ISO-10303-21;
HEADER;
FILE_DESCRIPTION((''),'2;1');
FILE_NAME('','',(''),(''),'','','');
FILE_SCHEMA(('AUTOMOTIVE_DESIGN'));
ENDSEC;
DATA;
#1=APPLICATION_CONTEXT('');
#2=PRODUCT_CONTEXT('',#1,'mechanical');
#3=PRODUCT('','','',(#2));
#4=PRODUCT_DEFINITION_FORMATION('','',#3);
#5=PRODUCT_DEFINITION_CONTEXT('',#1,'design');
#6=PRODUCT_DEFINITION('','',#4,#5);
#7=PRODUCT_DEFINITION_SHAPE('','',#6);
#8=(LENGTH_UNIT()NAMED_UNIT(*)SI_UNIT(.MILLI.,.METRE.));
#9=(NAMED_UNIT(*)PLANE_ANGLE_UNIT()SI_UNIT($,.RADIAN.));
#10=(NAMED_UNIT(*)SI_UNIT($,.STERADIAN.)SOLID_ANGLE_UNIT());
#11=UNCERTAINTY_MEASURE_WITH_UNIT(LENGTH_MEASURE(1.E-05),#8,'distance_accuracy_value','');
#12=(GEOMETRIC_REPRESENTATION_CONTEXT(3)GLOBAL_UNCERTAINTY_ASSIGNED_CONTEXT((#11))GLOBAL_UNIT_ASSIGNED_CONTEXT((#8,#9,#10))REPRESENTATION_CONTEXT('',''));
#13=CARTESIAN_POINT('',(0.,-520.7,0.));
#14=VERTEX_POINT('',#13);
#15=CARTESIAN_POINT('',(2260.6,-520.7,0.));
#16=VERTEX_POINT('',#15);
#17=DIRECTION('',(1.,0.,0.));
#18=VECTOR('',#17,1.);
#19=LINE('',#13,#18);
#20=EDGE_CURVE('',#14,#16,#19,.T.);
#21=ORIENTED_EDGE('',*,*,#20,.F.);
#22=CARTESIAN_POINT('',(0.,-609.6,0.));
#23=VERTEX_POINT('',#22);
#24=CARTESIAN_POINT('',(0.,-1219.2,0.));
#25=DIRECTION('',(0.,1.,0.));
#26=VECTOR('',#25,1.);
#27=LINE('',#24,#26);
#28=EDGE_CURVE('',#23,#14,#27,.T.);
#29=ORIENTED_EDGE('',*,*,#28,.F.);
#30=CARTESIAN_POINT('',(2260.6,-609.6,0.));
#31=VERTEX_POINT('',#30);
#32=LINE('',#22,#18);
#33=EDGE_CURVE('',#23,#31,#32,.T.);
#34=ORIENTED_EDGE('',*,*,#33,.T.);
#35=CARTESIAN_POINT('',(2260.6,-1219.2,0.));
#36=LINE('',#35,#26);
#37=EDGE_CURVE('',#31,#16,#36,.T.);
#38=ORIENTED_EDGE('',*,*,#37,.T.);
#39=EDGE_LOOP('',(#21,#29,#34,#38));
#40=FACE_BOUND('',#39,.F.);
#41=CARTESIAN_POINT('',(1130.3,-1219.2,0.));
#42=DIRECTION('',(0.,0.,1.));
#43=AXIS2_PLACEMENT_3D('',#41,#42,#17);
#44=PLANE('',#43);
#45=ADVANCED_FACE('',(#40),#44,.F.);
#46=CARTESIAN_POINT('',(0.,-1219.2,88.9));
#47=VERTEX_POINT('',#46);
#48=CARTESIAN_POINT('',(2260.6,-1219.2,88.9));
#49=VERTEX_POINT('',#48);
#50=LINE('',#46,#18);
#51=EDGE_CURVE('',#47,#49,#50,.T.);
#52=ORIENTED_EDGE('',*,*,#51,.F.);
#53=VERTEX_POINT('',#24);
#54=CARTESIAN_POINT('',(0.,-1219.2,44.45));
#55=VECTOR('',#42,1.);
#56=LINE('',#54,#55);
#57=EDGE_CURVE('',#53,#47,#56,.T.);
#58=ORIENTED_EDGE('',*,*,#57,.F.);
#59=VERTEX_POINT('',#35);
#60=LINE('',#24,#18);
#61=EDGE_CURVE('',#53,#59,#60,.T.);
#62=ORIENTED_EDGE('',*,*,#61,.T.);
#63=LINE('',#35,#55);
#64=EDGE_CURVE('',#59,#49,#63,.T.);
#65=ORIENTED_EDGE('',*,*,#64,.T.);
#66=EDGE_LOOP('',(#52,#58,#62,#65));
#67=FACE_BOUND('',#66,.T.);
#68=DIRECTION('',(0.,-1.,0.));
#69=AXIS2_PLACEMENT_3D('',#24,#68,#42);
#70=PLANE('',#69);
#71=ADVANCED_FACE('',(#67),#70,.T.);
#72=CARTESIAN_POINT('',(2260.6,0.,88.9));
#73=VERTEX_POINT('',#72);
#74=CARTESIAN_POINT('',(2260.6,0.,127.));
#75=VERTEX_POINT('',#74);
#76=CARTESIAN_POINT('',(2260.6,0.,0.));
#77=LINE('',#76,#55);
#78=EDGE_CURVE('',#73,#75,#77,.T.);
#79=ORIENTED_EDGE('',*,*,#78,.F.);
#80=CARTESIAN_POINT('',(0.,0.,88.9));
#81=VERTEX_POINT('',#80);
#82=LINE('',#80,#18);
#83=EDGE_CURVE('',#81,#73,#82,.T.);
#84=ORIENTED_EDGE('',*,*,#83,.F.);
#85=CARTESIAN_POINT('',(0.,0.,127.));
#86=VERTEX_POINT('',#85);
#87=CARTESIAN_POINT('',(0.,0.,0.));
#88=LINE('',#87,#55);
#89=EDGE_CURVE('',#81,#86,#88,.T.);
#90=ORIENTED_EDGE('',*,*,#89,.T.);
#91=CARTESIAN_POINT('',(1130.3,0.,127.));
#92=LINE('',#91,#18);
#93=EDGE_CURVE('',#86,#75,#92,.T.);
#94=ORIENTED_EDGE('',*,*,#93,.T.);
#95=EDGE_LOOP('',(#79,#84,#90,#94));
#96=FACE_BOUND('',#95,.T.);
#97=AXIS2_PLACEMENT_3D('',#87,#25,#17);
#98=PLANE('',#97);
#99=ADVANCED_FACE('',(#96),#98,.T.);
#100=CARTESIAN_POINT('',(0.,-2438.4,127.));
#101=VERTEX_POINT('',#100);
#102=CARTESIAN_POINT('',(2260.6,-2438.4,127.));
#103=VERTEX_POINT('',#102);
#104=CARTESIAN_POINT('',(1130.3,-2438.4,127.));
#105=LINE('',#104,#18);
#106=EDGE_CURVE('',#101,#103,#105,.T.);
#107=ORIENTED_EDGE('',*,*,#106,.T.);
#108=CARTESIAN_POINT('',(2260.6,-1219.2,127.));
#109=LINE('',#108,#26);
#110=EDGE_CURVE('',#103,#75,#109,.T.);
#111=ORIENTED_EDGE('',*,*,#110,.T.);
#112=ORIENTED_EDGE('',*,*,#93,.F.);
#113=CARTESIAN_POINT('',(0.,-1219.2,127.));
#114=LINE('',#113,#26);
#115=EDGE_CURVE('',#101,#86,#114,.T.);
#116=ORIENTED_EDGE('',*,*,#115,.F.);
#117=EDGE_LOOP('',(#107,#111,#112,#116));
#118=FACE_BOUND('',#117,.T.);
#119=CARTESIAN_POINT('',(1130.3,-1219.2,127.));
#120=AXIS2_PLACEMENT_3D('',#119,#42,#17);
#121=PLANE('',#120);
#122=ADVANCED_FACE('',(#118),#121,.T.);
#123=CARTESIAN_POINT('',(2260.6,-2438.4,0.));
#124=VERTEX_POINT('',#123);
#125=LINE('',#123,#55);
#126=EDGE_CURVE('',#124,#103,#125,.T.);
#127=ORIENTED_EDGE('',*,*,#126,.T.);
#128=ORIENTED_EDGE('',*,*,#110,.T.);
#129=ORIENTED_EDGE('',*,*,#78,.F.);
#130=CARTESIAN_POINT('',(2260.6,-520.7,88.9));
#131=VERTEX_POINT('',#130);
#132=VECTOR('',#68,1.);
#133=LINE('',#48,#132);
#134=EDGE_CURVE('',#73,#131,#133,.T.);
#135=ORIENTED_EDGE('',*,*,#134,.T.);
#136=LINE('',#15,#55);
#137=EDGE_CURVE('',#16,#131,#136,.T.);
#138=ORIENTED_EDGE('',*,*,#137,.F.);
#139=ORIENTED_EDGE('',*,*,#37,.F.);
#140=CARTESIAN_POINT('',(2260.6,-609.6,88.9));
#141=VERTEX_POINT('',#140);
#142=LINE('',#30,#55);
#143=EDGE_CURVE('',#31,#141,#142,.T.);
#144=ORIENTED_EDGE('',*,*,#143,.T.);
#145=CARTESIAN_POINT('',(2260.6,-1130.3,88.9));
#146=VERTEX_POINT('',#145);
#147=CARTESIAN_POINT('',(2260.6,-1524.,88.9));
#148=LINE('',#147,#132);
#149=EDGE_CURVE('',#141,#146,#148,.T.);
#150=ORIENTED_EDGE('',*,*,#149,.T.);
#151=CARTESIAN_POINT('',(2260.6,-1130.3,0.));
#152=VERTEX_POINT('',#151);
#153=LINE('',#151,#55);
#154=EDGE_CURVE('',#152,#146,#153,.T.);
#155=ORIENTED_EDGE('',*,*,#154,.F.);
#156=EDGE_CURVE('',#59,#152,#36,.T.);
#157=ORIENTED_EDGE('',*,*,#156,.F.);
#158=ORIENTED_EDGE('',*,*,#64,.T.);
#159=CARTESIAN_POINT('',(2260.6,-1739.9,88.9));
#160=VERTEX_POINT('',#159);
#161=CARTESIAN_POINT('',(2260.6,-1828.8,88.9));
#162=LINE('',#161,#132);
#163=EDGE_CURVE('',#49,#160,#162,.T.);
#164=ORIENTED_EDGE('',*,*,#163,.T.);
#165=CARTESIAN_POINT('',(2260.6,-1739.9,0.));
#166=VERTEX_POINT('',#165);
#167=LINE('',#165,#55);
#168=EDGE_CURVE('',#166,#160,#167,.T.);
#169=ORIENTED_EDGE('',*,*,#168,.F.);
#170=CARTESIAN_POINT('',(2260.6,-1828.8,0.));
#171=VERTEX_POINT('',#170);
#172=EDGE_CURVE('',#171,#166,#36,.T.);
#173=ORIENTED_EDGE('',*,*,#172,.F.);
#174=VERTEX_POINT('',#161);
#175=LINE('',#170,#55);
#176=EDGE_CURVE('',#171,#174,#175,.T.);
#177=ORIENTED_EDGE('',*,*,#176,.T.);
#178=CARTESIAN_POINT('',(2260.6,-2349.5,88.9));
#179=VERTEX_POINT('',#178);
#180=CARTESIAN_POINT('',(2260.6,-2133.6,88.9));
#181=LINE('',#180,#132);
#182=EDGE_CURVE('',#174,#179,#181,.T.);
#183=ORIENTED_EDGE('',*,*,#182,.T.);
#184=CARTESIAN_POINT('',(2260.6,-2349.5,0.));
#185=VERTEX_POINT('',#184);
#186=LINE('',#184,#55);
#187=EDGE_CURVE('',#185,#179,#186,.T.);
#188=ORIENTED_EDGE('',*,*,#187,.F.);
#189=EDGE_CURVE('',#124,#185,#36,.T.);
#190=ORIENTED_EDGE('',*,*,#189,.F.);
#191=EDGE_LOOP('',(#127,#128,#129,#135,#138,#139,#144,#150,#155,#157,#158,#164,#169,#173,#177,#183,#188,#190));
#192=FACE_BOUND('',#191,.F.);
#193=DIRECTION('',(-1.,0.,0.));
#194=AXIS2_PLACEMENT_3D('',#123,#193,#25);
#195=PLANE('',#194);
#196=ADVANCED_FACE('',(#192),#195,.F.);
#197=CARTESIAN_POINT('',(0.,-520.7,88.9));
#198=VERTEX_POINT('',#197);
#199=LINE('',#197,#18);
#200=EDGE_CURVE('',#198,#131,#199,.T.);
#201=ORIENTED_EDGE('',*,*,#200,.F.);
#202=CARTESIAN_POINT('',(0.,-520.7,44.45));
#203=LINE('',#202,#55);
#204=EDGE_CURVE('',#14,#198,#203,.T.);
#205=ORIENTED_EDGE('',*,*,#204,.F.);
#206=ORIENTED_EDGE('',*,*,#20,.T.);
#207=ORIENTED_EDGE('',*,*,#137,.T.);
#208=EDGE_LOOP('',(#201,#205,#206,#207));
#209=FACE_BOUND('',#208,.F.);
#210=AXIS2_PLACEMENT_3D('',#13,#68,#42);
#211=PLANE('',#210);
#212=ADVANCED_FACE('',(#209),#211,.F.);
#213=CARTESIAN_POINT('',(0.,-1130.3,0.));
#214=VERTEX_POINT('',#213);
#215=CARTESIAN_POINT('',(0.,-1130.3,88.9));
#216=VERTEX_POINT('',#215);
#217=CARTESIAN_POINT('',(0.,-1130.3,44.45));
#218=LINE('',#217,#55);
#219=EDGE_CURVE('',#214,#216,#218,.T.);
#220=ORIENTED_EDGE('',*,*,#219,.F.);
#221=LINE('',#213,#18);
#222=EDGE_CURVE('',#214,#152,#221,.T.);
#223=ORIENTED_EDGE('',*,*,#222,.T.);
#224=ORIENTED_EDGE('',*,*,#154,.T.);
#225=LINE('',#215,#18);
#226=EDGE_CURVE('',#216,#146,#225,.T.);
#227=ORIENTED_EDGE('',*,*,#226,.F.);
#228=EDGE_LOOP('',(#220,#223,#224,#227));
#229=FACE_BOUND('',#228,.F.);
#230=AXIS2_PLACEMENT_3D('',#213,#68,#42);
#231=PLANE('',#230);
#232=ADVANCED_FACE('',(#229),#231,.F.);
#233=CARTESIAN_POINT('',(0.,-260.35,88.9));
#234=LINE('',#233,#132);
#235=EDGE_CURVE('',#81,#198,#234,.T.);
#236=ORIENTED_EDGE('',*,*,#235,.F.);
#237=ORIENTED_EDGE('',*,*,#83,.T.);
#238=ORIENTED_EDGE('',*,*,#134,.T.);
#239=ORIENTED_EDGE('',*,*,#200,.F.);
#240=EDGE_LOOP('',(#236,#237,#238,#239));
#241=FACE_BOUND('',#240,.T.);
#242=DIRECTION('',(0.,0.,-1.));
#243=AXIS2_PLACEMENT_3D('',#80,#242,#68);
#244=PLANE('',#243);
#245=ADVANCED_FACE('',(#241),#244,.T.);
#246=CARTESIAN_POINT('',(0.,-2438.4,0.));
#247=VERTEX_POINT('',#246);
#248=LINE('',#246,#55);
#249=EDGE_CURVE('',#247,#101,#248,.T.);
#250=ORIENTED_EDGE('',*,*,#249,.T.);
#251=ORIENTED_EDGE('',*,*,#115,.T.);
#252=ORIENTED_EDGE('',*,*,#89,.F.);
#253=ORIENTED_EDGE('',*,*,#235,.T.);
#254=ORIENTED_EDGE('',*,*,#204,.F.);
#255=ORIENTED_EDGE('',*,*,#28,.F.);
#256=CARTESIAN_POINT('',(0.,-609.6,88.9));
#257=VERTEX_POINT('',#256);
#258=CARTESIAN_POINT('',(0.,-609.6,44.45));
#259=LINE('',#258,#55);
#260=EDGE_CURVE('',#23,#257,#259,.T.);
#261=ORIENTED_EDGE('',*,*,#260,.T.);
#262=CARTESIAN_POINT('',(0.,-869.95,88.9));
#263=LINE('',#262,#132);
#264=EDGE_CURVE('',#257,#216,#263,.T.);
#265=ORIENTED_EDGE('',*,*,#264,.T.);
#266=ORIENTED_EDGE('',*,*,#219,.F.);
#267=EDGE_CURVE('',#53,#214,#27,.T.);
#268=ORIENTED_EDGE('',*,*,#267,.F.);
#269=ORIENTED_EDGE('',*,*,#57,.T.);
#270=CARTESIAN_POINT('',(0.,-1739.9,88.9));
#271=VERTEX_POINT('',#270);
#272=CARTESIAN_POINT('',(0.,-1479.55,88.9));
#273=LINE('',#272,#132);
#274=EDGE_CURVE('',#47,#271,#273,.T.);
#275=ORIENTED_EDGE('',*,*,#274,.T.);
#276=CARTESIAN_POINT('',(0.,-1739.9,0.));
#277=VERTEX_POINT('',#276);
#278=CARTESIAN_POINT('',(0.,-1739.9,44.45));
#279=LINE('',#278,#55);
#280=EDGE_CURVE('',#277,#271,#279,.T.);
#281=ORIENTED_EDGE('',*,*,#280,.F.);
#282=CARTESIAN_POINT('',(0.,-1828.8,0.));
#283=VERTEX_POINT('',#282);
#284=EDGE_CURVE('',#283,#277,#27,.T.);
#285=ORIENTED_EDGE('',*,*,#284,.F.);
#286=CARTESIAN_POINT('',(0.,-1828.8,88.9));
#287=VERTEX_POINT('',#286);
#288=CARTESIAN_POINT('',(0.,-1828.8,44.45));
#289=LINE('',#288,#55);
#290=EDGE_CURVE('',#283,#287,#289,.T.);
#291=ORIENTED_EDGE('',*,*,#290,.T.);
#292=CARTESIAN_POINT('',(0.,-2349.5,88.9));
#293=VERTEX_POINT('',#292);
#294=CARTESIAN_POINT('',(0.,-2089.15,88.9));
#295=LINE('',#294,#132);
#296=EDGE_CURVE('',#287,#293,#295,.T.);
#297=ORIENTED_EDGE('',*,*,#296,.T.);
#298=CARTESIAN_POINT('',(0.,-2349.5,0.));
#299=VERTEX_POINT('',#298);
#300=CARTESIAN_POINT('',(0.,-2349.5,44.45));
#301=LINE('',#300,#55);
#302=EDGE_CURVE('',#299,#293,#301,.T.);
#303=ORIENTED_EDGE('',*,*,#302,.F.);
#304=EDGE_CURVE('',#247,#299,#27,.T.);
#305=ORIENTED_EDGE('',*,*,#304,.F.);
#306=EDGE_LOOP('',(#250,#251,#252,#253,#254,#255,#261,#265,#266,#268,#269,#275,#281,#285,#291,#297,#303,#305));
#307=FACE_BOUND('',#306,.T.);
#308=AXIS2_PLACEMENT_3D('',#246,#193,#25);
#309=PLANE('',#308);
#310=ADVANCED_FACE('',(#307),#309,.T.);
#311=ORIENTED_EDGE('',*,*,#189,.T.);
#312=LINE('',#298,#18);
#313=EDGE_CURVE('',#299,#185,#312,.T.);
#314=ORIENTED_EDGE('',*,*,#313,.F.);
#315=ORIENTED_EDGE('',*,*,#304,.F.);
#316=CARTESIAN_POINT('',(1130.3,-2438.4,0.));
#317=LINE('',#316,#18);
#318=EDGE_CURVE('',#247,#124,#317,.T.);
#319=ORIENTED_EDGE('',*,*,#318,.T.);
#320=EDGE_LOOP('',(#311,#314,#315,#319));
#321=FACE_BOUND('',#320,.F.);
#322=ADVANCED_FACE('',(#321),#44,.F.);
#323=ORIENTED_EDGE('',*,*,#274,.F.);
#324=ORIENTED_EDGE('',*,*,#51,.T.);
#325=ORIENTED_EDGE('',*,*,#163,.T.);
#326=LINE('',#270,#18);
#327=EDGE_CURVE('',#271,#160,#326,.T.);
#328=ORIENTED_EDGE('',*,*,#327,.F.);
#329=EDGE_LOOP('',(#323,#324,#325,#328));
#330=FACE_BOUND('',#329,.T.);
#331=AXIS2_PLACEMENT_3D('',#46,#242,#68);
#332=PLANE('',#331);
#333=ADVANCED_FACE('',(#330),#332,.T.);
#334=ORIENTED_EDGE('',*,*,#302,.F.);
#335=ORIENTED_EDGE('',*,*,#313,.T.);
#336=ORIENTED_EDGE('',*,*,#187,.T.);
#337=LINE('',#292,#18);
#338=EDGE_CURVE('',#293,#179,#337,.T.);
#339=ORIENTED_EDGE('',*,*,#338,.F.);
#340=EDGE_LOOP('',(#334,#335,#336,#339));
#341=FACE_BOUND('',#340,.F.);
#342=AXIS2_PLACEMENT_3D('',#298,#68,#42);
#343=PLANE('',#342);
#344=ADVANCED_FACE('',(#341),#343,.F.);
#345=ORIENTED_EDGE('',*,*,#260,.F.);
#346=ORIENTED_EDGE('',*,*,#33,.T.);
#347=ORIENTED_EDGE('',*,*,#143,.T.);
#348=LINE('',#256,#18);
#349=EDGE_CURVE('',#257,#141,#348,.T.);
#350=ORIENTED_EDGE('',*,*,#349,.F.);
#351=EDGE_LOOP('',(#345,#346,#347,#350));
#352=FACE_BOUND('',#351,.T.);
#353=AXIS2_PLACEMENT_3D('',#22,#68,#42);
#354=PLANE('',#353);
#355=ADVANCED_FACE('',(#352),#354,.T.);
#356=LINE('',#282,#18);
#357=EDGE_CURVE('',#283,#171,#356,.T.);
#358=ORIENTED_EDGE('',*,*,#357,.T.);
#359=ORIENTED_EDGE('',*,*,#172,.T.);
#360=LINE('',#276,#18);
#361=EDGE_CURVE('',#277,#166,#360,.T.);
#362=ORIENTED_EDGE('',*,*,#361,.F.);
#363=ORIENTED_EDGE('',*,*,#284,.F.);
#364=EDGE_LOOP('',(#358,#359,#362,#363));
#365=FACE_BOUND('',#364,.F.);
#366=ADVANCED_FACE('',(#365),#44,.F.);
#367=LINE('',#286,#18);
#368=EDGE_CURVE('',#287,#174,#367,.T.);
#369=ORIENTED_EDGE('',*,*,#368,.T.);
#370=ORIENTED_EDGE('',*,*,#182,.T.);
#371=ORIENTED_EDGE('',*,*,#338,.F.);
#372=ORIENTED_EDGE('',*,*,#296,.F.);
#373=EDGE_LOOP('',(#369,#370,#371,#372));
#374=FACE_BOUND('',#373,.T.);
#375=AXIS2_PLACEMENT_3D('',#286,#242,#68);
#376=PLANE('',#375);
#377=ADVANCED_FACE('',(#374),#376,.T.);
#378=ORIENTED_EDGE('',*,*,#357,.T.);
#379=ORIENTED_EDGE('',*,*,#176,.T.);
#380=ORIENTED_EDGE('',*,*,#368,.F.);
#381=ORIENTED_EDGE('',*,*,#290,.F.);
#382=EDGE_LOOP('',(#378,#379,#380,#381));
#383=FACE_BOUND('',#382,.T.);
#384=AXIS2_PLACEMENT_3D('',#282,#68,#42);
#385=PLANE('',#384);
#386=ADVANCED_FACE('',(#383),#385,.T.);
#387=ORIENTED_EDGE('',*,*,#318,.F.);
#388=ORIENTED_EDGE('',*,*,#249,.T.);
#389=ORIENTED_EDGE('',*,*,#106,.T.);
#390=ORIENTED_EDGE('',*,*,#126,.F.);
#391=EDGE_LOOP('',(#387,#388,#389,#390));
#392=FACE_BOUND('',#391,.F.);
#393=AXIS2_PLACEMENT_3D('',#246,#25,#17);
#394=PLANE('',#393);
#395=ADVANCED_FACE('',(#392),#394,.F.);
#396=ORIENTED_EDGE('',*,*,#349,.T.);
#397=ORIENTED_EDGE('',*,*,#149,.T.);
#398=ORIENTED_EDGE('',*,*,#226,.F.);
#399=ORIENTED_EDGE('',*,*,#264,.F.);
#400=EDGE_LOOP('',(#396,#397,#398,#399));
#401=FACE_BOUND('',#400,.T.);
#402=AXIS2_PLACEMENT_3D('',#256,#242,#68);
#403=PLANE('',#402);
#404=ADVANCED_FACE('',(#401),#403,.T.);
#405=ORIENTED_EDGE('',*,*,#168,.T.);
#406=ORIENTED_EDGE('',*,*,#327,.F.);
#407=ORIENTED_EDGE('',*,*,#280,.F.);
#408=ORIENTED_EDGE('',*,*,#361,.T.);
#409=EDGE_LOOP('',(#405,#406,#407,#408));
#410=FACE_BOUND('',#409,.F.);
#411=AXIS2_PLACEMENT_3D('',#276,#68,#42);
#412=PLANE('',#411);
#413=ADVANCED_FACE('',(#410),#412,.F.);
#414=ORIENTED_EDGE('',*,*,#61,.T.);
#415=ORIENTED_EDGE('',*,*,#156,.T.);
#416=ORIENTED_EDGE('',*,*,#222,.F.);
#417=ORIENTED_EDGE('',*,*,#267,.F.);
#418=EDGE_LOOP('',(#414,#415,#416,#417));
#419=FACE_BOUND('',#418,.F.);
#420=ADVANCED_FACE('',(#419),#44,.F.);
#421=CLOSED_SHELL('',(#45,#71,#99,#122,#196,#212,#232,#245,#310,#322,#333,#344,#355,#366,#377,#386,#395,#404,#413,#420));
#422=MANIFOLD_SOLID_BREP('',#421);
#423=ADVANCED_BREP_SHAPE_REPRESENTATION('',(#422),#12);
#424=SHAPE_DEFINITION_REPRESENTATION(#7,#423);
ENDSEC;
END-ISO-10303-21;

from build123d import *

# Parameters (mm, degrees)
F0_W     = 2260.6
F0_H     = 2438.4
F1_DEPTH = 127
F2_W     = 520.7
F2_H     = 88.9
F3_DEPTH = 2260.601


with BuildPart() as f1:
    # F0 (on Top) → F1 (new body)
    with BuildSketch(Plane.XY):
        with Locations((1130.3, -1219.2)):
            Rectangle(F0_W, F0_H)
    extrude(amount=F1_DEPTH)

    # F2 (on face) → F3 (cut, through all)
    with BuildSketch(Plane(origin=(0, 0, 0), x_dir=(0, -1, 0), z_dir=(-1, 0, 0))):
        with Locations((260.35, 44.45)):
            Rectangle(F2_W, F2_H)
        with Locations((869.95, 44.45)):
            Rectangle(F2_W, F2_H)
        with Locations((1479.55, 44.45)):
            Rectangle(F2_W, F2_H)
        with Locations((2089.15, 44.45)):
            Rectangle(F2_W, F2_H)
    extrude(amount=-F3_DEPTH, mode=Mode.SUBTRACT)


solid = f1.part
